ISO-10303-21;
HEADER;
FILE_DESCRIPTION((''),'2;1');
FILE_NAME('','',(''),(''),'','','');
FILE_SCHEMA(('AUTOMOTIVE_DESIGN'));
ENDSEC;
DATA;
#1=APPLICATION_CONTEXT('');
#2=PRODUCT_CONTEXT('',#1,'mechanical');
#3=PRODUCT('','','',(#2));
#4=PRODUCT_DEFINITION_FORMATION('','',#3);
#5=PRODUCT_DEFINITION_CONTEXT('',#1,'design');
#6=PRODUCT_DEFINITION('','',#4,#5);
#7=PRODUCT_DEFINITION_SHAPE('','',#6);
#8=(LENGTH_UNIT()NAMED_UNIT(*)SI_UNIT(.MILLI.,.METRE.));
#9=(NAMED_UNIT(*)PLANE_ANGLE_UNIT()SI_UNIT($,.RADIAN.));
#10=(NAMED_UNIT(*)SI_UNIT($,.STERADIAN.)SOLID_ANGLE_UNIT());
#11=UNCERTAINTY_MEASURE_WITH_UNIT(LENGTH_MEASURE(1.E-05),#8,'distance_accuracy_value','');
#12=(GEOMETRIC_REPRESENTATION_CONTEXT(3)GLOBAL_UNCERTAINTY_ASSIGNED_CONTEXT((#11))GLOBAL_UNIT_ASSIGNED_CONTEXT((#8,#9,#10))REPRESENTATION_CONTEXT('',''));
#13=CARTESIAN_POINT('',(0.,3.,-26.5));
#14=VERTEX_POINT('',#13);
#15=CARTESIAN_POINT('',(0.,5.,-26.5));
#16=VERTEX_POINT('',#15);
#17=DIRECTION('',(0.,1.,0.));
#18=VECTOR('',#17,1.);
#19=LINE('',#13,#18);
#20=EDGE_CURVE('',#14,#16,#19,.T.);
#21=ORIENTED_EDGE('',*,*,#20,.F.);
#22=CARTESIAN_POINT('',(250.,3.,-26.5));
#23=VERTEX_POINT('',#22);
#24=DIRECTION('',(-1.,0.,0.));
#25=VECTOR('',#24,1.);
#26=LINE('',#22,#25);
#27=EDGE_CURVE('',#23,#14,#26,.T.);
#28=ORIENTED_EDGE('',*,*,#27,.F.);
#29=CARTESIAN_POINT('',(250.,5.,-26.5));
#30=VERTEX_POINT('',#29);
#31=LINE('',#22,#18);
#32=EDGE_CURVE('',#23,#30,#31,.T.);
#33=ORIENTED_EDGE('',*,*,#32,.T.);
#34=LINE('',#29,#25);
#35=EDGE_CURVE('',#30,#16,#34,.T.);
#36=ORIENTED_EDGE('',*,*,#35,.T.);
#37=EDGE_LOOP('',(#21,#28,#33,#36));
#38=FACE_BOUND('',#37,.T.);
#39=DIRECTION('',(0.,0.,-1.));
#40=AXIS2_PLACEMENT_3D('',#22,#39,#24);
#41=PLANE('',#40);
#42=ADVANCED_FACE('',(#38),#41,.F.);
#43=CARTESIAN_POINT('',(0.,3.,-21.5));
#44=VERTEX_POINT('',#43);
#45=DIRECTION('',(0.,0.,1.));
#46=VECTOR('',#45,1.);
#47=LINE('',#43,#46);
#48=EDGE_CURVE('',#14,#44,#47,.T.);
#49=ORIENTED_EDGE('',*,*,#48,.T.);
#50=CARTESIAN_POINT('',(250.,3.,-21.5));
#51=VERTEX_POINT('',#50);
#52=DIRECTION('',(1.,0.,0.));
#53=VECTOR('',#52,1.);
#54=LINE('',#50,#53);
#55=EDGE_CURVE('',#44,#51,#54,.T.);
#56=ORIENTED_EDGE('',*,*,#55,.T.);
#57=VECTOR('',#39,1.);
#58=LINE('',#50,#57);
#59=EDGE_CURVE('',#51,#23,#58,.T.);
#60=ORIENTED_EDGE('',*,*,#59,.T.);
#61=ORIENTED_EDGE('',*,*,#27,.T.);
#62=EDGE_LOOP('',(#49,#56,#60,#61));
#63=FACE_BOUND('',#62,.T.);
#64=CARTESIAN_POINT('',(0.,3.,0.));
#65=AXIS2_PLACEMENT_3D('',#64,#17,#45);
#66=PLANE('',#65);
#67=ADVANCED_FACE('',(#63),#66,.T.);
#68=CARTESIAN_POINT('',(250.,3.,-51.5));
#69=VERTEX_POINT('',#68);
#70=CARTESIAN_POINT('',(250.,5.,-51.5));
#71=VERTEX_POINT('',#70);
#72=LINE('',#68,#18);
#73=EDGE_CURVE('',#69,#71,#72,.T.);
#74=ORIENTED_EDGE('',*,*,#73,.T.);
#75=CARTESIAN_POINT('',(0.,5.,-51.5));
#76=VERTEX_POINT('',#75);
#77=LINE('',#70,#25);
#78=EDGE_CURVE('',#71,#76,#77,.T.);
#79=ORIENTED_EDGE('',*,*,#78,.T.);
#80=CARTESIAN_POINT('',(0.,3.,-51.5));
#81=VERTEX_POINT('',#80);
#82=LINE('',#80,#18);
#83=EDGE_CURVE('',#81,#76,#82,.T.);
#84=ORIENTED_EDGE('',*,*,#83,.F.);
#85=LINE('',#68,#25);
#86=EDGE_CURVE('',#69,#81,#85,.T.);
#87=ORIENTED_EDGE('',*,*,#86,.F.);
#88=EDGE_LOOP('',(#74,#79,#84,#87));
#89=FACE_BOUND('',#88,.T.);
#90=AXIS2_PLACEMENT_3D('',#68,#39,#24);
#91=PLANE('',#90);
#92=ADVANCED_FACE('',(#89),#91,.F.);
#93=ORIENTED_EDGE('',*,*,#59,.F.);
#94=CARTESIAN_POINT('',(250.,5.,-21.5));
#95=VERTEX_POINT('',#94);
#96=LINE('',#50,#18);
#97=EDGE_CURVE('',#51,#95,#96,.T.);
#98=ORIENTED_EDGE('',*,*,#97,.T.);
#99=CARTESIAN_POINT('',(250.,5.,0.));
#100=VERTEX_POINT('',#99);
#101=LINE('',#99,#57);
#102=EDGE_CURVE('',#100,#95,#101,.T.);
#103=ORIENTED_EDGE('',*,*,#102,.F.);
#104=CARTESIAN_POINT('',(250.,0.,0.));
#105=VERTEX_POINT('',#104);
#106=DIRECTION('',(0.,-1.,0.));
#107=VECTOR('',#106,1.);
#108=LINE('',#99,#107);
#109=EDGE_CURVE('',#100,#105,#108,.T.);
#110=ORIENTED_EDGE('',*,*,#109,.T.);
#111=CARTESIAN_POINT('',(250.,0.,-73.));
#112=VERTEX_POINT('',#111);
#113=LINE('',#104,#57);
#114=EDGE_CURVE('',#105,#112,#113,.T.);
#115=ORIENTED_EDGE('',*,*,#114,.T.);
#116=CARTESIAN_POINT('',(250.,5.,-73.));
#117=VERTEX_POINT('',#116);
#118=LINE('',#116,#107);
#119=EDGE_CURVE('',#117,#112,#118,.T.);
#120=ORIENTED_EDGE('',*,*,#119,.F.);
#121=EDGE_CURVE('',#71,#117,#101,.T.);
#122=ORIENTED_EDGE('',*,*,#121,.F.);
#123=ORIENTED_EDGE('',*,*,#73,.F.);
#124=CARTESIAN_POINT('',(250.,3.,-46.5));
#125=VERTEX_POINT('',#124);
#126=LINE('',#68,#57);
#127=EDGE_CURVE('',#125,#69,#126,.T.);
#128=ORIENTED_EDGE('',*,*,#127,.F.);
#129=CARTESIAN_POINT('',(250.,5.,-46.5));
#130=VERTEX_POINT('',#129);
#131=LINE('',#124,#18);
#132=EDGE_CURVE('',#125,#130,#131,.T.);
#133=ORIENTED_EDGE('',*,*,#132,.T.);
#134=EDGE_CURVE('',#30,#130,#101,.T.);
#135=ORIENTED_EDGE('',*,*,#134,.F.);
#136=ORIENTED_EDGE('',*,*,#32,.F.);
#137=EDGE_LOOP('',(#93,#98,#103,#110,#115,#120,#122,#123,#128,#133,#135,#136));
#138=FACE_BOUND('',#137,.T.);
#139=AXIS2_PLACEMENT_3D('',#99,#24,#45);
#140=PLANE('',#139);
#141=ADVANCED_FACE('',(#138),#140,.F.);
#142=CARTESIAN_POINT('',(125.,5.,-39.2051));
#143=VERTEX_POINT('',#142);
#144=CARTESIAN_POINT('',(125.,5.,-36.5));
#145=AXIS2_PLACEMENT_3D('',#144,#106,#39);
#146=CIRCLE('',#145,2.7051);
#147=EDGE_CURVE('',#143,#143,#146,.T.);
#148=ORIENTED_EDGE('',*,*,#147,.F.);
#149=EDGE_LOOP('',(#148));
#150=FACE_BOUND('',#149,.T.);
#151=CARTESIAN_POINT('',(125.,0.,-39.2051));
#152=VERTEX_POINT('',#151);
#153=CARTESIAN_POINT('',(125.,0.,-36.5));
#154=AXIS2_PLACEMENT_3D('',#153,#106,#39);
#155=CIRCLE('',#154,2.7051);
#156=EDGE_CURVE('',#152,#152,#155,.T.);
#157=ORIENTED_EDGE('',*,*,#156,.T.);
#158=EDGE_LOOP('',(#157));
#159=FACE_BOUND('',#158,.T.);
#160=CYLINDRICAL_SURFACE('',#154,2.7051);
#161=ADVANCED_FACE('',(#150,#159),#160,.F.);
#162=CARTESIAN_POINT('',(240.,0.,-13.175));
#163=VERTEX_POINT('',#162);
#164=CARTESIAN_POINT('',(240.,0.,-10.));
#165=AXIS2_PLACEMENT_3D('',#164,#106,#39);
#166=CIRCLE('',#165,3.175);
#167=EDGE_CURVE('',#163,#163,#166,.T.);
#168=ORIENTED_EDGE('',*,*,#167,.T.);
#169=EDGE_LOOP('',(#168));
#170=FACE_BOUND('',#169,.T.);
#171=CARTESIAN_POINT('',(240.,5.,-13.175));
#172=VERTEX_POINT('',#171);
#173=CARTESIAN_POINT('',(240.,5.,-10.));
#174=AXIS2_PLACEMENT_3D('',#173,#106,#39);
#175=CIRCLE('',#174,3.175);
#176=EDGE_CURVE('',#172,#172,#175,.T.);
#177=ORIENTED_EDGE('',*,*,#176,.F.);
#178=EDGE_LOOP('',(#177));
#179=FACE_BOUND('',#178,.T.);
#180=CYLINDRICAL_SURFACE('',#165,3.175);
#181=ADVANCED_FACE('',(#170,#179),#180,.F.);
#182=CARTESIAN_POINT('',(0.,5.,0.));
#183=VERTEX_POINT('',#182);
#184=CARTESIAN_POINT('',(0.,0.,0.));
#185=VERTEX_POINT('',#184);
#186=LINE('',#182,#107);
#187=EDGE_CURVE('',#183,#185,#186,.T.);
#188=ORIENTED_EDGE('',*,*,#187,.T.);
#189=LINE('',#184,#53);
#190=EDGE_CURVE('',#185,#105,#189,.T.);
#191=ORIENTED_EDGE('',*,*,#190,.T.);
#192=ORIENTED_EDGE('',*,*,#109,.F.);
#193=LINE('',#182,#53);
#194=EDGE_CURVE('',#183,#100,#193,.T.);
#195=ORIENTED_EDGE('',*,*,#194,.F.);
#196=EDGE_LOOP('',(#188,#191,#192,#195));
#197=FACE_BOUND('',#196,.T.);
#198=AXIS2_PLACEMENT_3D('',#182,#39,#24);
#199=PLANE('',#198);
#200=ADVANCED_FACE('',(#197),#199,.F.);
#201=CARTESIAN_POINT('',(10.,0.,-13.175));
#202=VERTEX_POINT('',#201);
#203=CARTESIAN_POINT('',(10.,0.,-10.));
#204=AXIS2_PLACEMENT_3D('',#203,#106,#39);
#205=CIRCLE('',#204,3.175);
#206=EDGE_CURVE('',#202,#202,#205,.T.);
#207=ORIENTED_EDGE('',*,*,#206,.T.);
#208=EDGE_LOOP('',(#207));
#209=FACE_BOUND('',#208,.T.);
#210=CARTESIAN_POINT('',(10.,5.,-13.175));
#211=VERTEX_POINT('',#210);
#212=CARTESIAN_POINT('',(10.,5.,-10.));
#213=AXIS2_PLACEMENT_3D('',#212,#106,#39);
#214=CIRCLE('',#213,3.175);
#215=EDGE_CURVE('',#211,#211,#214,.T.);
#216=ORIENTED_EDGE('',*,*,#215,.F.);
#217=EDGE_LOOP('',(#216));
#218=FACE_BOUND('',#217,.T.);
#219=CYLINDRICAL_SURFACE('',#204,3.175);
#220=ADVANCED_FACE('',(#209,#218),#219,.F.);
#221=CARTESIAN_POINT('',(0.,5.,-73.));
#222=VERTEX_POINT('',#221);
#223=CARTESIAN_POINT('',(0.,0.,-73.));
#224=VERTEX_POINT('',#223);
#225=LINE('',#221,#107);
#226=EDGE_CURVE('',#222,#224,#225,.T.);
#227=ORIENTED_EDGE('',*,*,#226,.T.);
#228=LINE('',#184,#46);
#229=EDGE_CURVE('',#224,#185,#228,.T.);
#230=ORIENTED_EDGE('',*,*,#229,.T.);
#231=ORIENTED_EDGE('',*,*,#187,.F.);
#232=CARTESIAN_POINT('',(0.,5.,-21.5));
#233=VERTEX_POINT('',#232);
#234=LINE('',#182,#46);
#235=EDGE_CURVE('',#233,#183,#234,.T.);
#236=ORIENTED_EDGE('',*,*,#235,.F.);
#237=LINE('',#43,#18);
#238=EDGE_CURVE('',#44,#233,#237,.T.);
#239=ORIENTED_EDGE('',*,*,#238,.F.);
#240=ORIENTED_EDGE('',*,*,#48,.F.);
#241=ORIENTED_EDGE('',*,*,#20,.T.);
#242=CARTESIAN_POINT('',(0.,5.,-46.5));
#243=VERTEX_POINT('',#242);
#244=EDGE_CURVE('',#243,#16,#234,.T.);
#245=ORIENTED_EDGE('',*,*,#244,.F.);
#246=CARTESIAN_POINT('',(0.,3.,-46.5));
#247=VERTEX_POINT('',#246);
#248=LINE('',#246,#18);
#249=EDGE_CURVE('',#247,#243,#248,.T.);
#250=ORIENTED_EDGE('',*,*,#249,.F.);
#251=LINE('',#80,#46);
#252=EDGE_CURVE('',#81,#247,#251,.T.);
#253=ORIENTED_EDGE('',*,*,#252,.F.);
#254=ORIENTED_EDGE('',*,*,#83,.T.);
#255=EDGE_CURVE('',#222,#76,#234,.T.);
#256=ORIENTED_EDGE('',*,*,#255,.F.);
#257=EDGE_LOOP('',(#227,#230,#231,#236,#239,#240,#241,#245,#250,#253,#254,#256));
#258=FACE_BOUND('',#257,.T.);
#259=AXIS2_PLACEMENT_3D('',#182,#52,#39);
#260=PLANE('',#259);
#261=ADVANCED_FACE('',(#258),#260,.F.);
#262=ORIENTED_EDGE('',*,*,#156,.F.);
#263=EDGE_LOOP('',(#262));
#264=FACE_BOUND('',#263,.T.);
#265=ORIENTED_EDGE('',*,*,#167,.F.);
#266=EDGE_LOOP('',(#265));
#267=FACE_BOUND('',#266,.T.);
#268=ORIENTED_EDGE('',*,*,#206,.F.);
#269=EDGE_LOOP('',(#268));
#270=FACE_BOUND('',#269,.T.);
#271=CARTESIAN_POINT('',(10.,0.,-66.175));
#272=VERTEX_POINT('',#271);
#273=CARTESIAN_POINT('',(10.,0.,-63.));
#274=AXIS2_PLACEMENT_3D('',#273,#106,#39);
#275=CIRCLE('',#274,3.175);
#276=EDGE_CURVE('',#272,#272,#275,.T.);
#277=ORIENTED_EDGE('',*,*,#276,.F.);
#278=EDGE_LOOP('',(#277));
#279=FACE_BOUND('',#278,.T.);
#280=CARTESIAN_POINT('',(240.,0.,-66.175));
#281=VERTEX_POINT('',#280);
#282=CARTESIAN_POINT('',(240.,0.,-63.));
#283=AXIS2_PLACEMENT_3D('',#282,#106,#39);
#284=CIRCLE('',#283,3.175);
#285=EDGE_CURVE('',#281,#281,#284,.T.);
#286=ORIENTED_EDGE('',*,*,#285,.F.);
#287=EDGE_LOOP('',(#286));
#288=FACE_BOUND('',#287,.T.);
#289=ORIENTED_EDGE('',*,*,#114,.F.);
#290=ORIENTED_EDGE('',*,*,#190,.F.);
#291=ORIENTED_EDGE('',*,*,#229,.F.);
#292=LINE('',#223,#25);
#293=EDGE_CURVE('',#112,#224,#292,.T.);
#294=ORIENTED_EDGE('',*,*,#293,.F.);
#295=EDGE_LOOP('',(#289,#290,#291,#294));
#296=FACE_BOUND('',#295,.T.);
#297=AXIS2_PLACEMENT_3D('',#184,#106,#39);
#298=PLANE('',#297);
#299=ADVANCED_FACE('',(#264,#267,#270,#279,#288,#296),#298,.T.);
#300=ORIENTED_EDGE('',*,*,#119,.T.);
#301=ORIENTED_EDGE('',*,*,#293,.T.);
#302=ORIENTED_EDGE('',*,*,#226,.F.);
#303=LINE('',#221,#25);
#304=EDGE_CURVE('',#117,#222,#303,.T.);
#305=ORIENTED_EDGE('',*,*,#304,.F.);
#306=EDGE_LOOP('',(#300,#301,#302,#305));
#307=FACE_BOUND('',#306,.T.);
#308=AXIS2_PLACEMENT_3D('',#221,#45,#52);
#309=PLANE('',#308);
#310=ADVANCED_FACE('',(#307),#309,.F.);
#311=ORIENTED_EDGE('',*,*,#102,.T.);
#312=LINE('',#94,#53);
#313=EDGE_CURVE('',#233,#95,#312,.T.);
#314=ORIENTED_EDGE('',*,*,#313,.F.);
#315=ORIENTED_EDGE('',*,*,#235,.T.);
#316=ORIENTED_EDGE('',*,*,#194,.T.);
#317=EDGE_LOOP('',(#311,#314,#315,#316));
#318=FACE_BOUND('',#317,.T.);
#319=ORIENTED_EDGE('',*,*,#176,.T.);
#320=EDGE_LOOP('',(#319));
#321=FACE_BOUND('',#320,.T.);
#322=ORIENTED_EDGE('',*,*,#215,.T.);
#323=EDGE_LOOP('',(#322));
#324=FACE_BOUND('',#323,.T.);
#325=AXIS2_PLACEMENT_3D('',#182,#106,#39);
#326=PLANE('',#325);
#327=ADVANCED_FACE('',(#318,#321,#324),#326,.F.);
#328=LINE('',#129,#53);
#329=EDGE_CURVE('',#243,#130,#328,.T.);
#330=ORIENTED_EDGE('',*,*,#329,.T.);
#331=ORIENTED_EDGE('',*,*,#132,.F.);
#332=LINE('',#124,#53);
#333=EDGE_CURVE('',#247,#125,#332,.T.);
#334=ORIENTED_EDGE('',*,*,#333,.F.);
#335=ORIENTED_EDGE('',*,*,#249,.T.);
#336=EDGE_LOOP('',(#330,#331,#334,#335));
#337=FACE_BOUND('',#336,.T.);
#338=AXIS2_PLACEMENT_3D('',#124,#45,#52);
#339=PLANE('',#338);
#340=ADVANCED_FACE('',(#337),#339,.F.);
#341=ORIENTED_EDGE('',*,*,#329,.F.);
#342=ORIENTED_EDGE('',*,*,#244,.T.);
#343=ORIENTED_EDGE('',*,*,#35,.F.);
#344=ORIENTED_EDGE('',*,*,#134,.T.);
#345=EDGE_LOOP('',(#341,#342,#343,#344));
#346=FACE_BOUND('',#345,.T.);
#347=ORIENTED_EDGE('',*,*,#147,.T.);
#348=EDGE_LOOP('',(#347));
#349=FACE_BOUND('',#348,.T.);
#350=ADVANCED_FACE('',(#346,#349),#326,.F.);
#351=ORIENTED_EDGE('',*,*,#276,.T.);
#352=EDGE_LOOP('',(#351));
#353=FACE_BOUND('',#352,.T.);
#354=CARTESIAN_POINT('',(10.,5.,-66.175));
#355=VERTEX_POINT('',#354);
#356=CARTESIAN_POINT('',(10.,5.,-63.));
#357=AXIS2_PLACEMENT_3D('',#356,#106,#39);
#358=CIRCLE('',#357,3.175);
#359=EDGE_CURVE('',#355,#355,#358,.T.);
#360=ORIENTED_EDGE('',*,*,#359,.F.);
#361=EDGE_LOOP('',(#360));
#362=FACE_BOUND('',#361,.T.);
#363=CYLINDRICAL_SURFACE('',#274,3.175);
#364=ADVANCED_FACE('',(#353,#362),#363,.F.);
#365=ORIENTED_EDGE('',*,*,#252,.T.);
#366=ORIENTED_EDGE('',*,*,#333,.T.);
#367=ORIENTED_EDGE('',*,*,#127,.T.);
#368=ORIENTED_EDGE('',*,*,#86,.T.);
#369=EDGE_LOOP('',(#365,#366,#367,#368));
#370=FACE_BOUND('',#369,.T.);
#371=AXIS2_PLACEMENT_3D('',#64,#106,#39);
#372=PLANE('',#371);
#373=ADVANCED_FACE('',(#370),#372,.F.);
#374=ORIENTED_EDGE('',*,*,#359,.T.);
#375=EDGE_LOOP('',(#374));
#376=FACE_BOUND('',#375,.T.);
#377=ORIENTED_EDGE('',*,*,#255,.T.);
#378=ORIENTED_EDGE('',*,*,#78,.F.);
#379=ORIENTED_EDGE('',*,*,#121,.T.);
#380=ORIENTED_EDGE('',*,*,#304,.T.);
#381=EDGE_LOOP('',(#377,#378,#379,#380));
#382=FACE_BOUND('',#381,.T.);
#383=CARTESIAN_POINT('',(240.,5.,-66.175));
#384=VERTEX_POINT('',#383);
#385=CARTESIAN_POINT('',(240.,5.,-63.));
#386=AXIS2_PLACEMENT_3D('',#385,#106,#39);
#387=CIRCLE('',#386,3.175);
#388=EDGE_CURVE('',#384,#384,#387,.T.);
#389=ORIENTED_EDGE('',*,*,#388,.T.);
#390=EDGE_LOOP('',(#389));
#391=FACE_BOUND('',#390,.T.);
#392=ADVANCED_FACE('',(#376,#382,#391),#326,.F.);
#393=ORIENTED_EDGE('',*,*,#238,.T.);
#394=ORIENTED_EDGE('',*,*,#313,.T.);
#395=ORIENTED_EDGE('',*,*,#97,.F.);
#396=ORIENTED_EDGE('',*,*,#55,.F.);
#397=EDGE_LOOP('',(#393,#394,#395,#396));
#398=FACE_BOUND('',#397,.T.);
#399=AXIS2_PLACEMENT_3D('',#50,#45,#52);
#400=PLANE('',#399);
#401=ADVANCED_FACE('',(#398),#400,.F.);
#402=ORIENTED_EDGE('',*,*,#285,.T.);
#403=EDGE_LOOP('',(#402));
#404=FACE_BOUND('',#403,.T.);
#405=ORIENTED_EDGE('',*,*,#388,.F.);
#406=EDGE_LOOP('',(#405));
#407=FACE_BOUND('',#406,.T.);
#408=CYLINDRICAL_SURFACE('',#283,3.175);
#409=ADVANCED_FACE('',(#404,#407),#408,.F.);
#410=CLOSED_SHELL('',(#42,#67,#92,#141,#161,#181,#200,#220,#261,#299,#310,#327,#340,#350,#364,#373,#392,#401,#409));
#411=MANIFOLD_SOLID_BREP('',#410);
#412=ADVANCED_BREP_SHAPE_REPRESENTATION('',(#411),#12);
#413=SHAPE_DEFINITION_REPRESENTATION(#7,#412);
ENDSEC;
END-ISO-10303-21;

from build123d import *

# Parameters (mm, degrees)
SKETCH1_W                   = 250
SKETCH1_H                   = 73
RIGHT_WALL_DEPTH            = 5
F_1_4_0_2500_DOWEL_HOLE1_D  = 6.35
TAP_DRILL_FOR_1_4_28_TAP2_D = 5.4102
SKETCH24_W                  = 250
SKETCH24_H                  = 5
CUT_EXTRUDE1_DEPTH          = 2


with BuildPart() as part:
    # Sketch1 → right wall (new body)
    with BuildSketch(Plane(origin=(0, 0, 0), x_dir=(1, 0, 0), z_dir=(0, 1, 0))):
        with Locations((125, 36.5)):
            Rectangle(SKETCH1_W, SKETCH1_H)
    extrude(amount=RIGHT_WALL_DEPTH)

    # 1/4 (0.2500) Dowel Hole1 (through all)
    with Locations(Plane(origin=(0, 0, 0), x_dir=(-1, 0, 0), z_dir=(0, -1, 0))):
        with Locations((-10, 10), (-10, 63), (-240, 63), (-240, 10)):
            Hole(F_1_4_0_2500_DOWEL_HOLE1_D / 2)

    # Tap Drill for 1/4-28 Tap2 (through all)
    with Locations(Plane(origin=(0, 0, 0), x_dir=(-1, 0, 0), z_dir=(0, -1, 0))):
        with Locations((-125, 36.5)):
            Hole(TAP_DRILL_FOR_1_4_28_TAP2_D / 2)

    # Sketch24 → Cut-Extrude1 (cut)
    with BuildSketch(Plane(origin=(0, 5, 0), x_dir=(1, 0, 0), z_dir=(0, 1, 0))):
        with Locations((125, 49)):
            Rectangle(SKETCH24_W, SKETCH24_H)
        with Locations((125, 24)):
            Rectangle(SKETCH24_W, SKETCH24_H)
    extrude(amount=-CUT_EXTRUDE1_DEPTH, mode=Mode.SUBTRACT)


solid = part.part
